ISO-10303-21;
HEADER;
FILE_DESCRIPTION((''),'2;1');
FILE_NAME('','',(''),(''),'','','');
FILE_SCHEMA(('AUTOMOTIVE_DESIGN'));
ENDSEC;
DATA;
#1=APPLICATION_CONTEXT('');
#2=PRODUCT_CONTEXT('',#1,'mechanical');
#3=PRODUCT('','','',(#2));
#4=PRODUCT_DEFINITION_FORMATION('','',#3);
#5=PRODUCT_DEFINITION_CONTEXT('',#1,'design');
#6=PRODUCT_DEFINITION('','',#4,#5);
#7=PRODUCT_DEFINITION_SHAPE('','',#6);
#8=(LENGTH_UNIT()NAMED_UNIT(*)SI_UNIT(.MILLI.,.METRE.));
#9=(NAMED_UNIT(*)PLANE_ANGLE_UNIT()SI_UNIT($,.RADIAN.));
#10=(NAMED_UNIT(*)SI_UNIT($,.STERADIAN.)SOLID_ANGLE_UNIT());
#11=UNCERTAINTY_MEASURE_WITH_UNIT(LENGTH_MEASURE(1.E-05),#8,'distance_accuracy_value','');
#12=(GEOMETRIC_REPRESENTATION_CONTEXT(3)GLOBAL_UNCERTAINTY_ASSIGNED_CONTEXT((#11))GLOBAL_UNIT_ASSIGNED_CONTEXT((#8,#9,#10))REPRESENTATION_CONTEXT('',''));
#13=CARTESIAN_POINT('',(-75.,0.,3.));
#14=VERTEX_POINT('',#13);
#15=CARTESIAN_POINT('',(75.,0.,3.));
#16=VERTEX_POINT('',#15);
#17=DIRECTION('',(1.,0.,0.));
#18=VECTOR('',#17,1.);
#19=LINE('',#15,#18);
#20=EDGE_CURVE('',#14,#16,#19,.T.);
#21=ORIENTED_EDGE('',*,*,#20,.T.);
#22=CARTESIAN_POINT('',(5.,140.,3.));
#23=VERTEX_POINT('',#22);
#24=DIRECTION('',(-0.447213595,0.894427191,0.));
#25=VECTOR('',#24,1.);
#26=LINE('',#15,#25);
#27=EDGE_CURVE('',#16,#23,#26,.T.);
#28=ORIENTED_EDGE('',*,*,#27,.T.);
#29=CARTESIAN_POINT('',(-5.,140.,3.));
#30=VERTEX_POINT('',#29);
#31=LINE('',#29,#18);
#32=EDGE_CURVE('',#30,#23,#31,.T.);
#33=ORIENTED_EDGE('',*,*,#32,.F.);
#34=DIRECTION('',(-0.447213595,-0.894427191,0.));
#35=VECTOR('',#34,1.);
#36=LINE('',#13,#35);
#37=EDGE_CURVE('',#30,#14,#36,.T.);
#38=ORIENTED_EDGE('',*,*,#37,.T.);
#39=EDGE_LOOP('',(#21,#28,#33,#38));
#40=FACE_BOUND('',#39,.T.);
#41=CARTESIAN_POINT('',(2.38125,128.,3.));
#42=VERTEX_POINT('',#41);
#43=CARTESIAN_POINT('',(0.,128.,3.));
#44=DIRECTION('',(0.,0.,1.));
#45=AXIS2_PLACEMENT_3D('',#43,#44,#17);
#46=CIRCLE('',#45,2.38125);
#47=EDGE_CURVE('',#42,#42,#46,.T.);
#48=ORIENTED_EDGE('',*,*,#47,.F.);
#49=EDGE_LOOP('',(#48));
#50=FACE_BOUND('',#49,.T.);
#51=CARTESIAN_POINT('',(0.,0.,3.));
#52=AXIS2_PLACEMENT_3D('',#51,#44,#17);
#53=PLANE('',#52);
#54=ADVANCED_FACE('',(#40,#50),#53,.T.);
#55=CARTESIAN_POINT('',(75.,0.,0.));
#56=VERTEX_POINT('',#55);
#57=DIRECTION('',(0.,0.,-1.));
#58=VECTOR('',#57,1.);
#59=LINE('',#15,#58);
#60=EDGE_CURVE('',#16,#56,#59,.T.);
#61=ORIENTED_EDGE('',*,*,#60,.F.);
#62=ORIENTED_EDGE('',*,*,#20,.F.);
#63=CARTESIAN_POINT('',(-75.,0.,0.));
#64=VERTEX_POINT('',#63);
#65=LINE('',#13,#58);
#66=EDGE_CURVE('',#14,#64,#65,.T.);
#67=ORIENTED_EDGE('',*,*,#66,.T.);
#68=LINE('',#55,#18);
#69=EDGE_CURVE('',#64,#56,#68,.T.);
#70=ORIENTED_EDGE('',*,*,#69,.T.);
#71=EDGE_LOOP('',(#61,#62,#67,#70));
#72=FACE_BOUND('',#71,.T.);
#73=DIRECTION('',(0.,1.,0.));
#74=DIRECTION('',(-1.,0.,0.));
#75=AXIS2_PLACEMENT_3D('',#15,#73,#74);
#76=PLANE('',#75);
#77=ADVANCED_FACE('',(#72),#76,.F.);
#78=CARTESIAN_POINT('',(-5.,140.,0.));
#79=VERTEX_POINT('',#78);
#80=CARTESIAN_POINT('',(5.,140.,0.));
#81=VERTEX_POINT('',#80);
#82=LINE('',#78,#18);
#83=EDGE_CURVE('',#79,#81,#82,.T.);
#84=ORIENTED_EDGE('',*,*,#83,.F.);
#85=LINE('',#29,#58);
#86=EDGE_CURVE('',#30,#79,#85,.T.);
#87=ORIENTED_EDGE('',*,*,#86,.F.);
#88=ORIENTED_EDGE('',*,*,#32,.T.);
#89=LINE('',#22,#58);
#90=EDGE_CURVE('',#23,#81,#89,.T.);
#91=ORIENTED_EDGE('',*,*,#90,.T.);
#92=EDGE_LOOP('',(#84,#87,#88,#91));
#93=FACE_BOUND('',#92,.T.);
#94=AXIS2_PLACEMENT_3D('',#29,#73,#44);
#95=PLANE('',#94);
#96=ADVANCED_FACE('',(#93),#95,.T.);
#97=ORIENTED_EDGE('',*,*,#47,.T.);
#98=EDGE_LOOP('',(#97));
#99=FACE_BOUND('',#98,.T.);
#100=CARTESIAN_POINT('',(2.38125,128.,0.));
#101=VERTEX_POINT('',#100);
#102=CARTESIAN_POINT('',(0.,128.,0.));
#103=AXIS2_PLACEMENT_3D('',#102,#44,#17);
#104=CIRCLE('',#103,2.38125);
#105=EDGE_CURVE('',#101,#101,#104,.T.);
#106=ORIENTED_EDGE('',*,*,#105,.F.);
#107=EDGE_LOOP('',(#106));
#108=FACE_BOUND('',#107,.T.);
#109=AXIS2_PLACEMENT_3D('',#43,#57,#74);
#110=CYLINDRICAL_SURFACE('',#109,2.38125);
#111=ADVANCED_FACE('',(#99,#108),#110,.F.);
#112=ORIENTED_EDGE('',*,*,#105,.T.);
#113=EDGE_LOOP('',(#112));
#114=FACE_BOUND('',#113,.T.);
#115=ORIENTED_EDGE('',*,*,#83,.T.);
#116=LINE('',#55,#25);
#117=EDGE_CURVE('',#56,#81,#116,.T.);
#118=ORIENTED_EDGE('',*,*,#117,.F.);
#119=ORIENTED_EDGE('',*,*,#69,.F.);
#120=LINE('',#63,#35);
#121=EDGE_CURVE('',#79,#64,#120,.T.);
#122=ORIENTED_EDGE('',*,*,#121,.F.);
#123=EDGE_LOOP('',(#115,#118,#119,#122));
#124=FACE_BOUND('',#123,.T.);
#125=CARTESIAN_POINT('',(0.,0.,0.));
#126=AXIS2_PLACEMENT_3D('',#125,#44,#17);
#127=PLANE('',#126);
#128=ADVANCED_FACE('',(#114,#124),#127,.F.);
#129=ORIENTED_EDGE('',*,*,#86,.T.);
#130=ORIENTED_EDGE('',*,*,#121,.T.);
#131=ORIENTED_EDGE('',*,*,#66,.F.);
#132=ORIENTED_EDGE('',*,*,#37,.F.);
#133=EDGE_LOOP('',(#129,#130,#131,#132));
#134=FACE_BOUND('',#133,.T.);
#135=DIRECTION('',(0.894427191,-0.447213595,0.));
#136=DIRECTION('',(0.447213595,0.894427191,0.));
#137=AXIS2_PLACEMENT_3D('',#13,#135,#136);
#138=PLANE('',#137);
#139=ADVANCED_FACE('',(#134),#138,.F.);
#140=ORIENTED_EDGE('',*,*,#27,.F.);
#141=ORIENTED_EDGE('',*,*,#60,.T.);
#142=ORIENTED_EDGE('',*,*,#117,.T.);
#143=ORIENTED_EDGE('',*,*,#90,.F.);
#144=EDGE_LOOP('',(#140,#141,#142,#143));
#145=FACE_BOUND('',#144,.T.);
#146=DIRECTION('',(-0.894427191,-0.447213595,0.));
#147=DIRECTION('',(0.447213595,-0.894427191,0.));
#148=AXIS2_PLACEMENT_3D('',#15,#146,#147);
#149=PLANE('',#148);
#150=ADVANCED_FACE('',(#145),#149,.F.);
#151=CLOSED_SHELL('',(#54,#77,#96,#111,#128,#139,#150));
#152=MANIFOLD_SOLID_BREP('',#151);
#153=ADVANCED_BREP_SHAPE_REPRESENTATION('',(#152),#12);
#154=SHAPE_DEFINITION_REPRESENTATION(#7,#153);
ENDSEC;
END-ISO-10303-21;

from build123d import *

# Parameters (mm, degrees)
SALIENTE_EXTRUIR1_DEPTH = 3
CROQUIS2_R              = 2.38125
CORTAR_EXTRUIR1_DEPTH   = 4


with BuildPart() as part:
    # Croquis1 → Saliente-Extruir1 (new body)
    with BuildSketch(Plane.XY):
        Polygon((75, 0), (-75, 0), (0, 150), align=None)
    extrude(amount=SALIENTE_EXTRUIR1_DEPTH)

    # Croquis2 → Cortar-Extruir1 (cut, through all)
    with BuildSketch(Plane.XY):
        with Locations((0, 128)):
            Circle(CROQUIS2_R)
        Polygon((5, 140), (0, 150), (-5, 140), align=None)
    extrude(amount=CORTAR_EXTRUIR1_DEPTH, mode=Mode.SUBTRACT)


solid = part.part
